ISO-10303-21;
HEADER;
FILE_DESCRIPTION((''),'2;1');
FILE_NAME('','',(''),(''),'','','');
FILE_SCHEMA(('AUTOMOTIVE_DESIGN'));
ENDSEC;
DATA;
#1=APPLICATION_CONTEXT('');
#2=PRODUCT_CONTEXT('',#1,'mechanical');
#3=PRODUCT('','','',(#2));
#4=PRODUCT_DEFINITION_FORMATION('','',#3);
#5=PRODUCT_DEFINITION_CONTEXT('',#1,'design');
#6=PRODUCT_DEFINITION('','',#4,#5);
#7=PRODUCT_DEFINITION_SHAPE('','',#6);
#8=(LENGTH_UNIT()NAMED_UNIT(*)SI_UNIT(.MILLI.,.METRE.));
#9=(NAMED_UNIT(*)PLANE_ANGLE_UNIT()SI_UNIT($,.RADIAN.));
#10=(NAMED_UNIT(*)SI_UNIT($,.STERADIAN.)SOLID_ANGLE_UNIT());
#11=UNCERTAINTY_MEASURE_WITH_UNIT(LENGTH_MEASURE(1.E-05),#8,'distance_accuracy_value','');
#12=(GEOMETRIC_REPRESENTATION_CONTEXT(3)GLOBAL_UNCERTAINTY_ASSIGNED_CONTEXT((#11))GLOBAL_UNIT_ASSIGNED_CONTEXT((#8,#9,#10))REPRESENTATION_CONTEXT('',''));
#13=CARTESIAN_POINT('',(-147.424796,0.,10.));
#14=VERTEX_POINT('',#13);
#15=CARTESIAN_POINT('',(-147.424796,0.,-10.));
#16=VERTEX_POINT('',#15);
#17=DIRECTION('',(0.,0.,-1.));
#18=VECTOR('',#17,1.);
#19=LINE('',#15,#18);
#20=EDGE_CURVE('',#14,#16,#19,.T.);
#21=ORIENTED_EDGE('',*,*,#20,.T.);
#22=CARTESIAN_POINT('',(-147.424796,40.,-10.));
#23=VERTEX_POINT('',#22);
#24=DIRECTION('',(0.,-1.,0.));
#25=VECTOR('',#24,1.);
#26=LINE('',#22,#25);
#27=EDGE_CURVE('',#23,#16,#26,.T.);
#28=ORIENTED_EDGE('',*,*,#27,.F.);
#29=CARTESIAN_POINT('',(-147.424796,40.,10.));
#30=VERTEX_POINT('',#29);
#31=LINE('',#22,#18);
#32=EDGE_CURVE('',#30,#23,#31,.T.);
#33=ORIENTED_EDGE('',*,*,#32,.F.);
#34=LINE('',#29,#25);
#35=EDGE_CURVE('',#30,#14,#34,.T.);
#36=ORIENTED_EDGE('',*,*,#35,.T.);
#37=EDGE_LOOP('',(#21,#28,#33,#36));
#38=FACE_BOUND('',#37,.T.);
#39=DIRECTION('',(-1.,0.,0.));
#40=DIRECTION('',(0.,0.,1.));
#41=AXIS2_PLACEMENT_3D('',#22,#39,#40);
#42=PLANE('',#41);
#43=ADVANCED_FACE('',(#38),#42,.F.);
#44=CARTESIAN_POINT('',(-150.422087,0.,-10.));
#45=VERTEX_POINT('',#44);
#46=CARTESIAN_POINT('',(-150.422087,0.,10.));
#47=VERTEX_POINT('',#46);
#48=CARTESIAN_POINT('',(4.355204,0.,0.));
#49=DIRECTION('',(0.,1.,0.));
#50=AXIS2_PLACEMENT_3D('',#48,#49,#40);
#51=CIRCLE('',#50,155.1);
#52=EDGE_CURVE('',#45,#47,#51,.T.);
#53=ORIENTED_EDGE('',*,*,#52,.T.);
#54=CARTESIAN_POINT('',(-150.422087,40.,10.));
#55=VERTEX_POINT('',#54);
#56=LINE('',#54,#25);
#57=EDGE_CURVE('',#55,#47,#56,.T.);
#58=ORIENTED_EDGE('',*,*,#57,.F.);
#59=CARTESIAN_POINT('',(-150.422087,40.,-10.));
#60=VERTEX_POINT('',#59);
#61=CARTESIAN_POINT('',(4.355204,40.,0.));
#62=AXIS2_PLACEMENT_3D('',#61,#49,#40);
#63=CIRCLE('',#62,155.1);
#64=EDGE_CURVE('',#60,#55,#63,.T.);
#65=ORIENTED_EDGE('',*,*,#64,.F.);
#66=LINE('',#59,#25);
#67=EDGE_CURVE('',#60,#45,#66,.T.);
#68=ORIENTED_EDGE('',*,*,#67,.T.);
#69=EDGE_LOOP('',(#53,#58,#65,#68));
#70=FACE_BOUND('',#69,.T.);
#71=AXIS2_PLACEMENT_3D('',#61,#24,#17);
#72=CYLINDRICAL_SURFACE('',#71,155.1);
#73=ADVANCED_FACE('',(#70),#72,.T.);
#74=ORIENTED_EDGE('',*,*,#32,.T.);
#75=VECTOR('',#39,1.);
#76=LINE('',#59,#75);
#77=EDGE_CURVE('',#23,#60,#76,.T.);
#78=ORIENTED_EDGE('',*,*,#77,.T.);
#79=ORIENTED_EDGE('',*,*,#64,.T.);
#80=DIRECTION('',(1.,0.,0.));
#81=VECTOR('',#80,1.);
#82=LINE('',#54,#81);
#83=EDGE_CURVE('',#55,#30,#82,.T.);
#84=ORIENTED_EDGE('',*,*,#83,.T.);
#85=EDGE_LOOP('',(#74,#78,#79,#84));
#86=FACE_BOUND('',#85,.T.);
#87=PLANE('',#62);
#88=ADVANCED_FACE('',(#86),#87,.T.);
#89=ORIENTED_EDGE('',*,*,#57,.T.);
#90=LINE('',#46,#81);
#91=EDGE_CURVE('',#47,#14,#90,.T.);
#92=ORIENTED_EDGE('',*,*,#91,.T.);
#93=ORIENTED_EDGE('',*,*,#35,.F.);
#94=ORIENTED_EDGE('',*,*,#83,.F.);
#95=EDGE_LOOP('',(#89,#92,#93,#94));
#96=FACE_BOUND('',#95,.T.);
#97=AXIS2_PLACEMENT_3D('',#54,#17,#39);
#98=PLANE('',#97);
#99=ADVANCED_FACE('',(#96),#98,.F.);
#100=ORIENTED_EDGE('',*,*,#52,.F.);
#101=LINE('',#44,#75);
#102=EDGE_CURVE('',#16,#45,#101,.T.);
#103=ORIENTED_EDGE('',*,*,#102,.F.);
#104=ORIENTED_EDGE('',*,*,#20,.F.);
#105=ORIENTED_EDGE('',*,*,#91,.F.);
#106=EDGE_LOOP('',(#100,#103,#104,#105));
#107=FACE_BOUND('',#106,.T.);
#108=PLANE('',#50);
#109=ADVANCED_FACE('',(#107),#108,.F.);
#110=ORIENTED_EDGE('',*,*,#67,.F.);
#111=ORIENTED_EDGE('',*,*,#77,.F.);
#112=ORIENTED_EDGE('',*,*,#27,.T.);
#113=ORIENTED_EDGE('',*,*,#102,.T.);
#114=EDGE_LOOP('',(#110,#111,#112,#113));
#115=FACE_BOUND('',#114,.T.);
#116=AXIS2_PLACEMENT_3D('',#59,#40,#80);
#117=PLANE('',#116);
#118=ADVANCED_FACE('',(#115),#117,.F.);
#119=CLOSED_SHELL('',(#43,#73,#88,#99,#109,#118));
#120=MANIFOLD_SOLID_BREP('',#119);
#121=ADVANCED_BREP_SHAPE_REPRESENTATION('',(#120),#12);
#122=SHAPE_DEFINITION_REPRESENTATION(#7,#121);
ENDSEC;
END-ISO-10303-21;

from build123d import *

# Parameters (mm, degrees)
EXTRUDE_1_DEPTH = 40


with BuildPart() as part:
    # 草图1 → 凸台-拉伸1 (new body)
    with BuildSketch(Plane(origin=(0, 0, 0), x_dir=(1, 0, 0), z_dir=(0, 1, 0))):
        with BuildLine():
            Line((-150.422087281, 10), (-147.424795665, 10))
            Line((-147.424795665, 10), (-147.424795665, -10))
            Line((-147.424795665, -10), (-150.422087281, -10))
            ThreePointArc((-150.422087281, -10), (-150.744795665, 0), (-150.422087281, 10))
        make_face()
    extrude(amount=EXTRUDE_1_DEPTH)


solid = part.part
